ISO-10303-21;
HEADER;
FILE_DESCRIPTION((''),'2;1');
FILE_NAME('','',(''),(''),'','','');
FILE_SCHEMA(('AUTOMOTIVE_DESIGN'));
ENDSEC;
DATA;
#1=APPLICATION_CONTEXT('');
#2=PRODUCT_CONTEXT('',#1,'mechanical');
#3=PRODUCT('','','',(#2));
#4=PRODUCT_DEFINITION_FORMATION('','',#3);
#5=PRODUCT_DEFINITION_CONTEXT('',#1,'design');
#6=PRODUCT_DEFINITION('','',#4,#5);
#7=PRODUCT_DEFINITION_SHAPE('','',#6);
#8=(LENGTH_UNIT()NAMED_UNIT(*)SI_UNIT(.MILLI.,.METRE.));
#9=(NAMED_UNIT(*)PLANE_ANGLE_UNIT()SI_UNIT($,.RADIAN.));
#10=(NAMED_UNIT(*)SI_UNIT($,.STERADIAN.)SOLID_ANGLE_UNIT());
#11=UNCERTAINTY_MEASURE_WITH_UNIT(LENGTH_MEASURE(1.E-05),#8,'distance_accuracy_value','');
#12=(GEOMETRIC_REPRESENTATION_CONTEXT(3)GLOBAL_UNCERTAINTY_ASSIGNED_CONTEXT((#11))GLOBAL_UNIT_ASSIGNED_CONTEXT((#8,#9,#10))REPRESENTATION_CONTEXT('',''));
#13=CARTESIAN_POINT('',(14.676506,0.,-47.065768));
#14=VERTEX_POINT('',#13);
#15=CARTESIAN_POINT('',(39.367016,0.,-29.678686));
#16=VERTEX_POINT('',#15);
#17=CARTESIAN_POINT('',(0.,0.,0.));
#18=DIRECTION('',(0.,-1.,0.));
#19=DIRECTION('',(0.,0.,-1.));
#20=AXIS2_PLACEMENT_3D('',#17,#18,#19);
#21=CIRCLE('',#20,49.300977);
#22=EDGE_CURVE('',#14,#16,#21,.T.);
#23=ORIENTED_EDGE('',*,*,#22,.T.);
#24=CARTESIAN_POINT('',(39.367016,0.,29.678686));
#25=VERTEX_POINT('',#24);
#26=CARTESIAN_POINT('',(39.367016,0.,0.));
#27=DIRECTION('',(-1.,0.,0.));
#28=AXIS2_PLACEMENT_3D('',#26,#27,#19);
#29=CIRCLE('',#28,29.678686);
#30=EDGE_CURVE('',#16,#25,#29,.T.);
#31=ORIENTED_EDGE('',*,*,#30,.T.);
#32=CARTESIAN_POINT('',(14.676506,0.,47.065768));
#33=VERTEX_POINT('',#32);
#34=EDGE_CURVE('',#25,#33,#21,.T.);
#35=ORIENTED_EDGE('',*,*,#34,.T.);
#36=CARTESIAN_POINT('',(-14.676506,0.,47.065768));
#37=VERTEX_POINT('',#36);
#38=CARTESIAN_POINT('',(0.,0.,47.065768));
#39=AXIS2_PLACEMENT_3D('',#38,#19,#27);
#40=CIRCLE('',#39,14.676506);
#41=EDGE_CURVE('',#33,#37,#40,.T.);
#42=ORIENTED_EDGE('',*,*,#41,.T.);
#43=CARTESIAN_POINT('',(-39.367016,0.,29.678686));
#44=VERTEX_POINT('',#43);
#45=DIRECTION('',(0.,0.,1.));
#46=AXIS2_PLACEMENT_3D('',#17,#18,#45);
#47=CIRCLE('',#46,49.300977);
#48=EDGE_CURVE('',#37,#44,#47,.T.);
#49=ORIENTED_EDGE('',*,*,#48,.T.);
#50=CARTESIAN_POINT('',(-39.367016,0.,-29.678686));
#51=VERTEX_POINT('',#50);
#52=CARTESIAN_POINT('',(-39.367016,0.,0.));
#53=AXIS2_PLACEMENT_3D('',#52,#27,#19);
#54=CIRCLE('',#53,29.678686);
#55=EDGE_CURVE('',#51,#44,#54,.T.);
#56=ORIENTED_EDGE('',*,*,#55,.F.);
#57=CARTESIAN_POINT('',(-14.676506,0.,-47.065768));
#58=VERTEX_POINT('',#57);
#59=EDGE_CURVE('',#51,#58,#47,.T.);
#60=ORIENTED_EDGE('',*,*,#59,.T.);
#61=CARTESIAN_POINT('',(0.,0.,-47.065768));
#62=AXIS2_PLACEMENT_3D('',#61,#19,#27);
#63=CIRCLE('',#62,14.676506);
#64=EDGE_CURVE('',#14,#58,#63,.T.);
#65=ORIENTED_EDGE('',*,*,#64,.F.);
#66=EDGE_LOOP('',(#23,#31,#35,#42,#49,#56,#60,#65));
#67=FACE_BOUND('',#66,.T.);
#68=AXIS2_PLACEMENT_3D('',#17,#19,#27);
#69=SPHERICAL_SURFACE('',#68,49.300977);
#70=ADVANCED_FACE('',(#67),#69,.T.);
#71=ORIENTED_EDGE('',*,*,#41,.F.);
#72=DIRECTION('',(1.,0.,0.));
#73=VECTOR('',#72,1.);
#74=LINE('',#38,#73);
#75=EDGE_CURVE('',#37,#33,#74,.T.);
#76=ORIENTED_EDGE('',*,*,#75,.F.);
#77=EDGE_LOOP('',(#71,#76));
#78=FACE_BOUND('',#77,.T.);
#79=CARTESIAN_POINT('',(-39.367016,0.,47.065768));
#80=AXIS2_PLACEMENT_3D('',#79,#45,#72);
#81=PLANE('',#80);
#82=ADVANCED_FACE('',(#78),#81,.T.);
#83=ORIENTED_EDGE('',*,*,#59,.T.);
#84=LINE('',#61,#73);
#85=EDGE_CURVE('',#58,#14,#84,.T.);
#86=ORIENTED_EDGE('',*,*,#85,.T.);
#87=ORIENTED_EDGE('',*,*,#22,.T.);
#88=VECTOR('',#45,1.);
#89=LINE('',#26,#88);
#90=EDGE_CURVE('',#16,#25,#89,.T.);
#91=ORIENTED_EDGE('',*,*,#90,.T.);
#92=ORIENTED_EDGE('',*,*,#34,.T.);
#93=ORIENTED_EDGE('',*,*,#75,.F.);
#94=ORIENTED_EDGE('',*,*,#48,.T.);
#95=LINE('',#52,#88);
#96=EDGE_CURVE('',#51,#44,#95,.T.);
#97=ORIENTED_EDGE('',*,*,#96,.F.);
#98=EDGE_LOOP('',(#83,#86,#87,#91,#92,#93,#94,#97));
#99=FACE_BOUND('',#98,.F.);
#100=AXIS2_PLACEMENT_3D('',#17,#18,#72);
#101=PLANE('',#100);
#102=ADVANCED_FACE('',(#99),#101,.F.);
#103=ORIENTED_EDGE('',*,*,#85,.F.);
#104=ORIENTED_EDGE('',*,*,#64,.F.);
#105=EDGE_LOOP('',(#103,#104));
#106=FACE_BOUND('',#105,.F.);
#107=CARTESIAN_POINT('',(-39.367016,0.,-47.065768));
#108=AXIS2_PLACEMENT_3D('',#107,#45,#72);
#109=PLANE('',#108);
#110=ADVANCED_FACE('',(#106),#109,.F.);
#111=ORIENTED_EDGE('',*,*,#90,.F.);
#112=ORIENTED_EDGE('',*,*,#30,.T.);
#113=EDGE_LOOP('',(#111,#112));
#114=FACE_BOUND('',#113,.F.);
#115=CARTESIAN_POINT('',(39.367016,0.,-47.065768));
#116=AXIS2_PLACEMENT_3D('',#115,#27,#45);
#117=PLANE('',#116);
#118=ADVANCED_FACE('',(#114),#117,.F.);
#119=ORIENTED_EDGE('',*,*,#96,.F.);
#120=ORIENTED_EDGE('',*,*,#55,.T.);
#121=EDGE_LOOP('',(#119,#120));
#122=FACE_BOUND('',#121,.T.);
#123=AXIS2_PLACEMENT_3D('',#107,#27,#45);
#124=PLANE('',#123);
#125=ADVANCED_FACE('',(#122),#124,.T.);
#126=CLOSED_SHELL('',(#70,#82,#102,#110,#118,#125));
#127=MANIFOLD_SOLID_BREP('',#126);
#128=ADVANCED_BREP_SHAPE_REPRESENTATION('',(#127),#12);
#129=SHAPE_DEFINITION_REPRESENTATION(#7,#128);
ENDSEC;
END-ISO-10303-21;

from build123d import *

# Parameters (mm, degrees)
F0_W     = 78.734032
F0_H     = 94.131536
F1_DEPTH = 85.5


with BuildPart() as f1:
    # F0 (on Front) → F1 (new body)
    with BuildSketch(Plane.XZ):
        Rectangle(F0_W, F0_H)
    extrude(amount=F1_DEPTH)


with BuildPart() as f3:
    # F2 (on Front) → F3 (revolve)
    with BuildSketch(Plane.XZ):
        with BuildLine():
            Line((0, 0), (0, 49.300977))
            ThreePointArc((0, 49.300977), (-49.300977, 0), (0, -49.300977))
            Line((0, -49.300977), (0, 0))
        make_face()
    revolve(axis=Axis((0, 0, 0), (0, 0, -1)))


with BuildPart() as f1_1:
    add(f1.part)

    # F4: intersect F3
    add(f3.part, mode=Mode.INTERSECT)


solid = f1_1.part
